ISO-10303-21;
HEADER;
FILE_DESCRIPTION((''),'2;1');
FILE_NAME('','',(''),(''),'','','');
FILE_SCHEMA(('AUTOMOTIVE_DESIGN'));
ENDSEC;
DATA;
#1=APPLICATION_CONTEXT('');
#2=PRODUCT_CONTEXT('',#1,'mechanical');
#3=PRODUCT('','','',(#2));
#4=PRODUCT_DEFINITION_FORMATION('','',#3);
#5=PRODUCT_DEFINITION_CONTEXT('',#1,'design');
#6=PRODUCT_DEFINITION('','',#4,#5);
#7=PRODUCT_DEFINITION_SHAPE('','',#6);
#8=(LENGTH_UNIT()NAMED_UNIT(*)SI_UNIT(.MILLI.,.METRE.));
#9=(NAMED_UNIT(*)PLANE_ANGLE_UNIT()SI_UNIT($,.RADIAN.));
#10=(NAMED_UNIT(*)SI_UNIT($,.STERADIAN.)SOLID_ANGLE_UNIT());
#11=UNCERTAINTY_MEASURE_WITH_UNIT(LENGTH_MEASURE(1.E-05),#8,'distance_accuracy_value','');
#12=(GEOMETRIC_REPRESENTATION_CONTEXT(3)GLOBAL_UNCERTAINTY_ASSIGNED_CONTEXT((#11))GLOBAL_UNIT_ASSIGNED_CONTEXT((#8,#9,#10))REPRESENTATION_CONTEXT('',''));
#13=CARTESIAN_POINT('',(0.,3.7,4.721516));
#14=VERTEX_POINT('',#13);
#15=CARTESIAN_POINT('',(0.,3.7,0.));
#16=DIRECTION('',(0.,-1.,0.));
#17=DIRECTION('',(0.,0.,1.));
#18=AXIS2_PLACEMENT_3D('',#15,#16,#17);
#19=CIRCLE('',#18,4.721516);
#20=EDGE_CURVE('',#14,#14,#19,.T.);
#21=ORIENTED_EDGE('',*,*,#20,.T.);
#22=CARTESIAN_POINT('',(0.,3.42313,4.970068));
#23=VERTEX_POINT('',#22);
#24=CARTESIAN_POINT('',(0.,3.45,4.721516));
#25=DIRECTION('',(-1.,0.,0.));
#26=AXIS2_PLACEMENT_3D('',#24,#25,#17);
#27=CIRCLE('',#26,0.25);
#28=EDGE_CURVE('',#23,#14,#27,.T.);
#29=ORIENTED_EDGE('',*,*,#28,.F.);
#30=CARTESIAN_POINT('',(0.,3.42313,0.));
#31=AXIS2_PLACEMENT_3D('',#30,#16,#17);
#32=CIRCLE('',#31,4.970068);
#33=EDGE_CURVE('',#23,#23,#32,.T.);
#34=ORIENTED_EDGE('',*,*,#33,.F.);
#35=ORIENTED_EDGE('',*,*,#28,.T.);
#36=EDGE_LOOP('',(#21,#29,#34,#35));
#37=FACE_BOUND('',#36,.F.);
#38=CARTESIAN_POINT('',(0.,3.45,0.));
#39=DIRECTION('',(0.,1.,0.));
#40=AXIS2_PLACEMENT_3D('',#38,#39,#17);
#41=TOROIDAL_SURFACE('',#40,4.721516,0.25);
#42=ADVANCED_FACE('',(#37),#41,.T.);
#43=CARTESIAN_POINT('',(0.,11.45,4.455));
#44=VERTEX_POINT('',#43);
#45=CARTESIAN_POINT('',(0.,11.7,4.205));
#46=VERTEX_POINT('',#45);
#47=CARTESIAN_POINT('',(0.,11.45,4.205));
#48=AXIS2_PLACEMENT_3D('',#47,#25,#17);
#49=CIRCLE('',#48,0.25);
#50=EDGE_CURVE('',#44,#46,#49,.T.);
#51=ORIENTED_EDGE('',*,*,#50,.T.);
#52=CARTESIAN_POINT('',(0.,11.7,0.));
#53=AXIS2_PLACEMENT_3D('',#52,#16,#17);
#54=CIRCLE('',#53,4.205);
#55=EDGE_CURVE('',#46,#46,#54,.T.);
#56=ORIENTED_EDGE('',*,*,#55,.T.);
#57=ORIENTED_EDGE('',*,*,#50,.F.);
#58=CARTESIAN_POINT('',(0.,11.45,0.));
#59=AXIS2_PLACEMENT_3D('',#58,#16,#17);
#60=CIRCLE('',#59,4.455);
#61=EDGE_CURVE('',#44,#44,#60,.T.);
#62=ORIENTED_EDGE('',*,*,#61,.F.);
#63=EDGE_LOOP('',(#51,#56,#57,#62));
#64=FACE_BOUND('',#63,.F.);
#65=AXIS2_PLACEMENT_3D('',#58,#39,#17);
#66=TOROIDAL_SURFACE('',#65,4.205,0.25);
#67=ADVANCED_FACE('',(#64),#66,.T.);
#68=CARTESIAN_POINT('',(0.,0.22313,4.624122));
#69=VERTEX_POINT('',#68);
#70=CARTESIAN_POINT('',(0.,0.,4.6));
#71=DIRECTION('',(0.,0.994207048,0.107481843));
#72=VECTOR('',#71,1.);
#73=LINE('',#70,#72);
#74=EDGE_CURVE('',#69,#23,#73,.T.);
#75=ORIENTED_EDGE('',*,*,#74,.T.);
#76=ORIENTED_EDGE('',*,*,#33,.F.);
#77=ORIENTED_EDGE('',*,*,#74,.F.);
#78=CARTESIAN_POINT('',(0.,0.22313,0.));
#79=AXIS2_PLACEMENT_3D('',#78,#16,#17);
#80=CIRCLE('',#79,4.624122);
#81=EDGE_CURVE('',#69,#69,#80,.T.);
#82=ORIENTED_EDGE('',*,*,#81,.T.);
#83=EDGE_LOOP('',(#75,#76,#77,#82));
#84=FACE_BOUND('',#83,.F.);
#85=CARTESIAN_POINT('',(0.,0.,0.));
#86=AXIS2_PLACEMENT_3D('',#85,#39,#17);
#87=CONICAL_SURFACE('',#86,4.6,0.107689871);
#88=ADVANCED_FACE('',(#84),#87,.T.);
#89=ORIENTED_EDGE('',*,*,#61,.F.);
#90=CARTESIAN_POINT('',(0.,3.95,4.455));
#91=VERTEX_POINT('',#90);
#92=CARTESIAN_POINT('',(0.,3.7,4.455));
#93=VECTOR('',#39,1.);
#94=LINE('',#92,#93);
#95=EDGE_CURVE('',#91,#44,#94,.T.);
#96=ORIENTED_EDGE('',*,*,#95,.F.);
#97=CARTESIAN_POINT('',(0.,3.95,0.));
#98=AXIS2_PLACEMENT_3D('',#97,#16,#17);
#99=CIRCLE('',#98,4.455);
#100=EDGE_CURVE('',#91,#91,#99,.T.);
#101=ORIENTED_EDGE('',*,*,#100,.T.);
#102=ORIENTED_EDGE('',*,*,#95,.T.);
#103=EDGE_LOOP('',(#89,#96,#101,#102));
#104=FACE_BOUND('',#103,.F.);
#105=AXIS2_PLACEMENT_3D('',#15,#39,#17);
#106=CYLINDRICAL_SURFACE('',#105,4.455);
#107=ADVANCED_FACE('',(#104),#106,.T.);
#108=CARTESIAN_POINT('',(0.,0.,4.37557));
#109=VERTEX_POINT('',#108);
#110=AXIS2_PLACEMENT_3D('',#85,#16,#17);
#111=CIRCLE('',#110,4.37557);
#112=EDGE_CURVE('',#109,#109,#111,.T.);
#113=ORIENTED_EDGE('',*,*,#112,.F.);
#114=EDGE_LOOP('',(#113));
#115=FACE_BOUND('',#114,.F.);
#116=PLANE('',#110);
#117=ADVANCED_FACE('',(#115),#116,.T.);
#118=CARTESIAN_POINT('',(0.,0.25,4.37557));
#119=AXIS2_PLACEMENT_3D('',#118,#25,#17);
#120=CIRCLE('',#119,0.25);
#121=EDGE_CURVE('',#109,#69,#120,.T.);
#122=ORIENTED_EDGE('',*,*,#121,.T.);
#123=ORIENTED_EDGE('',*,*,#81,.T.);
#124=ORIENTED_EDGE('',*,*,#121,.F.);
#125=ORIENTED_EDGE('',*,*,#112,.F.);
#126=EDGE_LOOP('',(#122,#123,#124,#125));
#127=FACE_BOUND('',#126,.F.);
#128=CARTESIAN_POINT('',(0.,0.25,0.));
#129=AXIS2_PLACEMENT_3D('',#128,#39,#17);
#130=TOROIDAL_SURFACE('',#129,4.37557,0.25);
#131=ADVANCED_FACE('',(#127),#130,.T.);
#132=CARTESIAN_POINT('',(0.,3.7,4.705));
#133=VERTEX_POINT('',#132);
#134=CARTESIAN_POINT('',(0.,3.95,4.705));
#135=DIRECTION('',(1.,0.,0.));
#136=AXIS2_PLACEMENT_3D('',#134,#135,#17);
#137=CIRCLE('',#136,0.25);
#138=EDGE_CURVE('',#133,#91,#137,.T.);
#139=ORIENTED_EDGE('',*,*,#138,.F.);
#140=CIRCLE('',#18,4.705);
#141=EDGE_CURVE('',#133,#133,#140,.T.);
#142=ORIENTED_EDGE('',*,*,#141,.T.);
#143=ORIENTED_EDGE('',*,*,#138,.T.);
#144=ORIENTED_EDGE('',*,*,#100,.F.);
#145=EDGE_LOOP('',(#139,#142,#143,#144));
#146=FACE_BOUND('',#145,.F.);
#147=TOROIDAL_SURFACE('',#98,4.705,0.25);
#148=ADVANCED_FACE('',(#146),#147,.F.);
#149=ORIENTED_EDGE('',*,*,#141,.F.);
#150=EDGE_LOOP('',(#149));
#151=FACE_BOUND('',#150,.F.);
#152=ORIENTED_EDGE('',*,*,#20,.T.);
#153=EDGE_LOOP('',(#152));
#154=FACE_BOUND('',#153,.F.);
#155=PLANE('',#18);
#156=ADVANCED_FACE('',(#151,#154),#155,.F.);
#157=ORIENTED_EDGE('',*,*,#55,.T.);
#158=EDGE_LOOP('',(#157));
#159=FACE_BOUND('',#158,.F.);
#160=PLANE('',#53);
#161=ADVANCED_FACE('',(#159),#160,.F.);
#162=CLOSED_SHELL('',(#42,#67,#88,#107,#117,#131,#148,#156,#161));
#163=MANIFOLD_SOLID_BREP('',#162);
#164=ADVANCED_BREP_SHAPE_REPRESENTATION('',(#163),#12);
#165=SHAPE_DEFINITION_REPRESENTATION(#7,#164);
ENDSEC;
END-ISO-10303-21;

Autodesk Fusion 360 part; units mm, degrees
sketch "Sketch1" plane through (0, 0, 0) normal (1, 0, 0) x (0, 1, 0)
  line L0 (0, 0) -> (0, 4.6)
  line L1 (0, 4.6) -> (3.7, 5)
  line L2 (3.7, 5) -> (3.7, 4.455)
  line L3 (3.7, 4.455) -> (11.7, 4.455)
  line L4 (11.7, 4.455) -> (11.7, 0)
  line L5 (11.7, 0) -> (0, 0)
  dimension "d1" = 4.455
  dimension "d2" = 3.7
  dimension "d3" = 5
  dimension "d4" = 4.6
  dimension "d5" = 8
revolve "Revolve1" add sketch "Sketch1" angle 360 about axis through (0, 11.7, 0) along (0, -1, 0)
fillet "Fillet1" radius 0.25 5 faces at (2.1309, 2.8778, 4.4248) (0.4697, 3.7, 4.7831) (0.2221, 6.3667, 4.4495) (0.3414, 11.7, 0.134) (0.0152, 0, -1.4325)
equation "d1 = ( 8.91 / 2 ) * 1 mm"
equation "d4 = ( 9.2 / 2 ) * 1 mm"
